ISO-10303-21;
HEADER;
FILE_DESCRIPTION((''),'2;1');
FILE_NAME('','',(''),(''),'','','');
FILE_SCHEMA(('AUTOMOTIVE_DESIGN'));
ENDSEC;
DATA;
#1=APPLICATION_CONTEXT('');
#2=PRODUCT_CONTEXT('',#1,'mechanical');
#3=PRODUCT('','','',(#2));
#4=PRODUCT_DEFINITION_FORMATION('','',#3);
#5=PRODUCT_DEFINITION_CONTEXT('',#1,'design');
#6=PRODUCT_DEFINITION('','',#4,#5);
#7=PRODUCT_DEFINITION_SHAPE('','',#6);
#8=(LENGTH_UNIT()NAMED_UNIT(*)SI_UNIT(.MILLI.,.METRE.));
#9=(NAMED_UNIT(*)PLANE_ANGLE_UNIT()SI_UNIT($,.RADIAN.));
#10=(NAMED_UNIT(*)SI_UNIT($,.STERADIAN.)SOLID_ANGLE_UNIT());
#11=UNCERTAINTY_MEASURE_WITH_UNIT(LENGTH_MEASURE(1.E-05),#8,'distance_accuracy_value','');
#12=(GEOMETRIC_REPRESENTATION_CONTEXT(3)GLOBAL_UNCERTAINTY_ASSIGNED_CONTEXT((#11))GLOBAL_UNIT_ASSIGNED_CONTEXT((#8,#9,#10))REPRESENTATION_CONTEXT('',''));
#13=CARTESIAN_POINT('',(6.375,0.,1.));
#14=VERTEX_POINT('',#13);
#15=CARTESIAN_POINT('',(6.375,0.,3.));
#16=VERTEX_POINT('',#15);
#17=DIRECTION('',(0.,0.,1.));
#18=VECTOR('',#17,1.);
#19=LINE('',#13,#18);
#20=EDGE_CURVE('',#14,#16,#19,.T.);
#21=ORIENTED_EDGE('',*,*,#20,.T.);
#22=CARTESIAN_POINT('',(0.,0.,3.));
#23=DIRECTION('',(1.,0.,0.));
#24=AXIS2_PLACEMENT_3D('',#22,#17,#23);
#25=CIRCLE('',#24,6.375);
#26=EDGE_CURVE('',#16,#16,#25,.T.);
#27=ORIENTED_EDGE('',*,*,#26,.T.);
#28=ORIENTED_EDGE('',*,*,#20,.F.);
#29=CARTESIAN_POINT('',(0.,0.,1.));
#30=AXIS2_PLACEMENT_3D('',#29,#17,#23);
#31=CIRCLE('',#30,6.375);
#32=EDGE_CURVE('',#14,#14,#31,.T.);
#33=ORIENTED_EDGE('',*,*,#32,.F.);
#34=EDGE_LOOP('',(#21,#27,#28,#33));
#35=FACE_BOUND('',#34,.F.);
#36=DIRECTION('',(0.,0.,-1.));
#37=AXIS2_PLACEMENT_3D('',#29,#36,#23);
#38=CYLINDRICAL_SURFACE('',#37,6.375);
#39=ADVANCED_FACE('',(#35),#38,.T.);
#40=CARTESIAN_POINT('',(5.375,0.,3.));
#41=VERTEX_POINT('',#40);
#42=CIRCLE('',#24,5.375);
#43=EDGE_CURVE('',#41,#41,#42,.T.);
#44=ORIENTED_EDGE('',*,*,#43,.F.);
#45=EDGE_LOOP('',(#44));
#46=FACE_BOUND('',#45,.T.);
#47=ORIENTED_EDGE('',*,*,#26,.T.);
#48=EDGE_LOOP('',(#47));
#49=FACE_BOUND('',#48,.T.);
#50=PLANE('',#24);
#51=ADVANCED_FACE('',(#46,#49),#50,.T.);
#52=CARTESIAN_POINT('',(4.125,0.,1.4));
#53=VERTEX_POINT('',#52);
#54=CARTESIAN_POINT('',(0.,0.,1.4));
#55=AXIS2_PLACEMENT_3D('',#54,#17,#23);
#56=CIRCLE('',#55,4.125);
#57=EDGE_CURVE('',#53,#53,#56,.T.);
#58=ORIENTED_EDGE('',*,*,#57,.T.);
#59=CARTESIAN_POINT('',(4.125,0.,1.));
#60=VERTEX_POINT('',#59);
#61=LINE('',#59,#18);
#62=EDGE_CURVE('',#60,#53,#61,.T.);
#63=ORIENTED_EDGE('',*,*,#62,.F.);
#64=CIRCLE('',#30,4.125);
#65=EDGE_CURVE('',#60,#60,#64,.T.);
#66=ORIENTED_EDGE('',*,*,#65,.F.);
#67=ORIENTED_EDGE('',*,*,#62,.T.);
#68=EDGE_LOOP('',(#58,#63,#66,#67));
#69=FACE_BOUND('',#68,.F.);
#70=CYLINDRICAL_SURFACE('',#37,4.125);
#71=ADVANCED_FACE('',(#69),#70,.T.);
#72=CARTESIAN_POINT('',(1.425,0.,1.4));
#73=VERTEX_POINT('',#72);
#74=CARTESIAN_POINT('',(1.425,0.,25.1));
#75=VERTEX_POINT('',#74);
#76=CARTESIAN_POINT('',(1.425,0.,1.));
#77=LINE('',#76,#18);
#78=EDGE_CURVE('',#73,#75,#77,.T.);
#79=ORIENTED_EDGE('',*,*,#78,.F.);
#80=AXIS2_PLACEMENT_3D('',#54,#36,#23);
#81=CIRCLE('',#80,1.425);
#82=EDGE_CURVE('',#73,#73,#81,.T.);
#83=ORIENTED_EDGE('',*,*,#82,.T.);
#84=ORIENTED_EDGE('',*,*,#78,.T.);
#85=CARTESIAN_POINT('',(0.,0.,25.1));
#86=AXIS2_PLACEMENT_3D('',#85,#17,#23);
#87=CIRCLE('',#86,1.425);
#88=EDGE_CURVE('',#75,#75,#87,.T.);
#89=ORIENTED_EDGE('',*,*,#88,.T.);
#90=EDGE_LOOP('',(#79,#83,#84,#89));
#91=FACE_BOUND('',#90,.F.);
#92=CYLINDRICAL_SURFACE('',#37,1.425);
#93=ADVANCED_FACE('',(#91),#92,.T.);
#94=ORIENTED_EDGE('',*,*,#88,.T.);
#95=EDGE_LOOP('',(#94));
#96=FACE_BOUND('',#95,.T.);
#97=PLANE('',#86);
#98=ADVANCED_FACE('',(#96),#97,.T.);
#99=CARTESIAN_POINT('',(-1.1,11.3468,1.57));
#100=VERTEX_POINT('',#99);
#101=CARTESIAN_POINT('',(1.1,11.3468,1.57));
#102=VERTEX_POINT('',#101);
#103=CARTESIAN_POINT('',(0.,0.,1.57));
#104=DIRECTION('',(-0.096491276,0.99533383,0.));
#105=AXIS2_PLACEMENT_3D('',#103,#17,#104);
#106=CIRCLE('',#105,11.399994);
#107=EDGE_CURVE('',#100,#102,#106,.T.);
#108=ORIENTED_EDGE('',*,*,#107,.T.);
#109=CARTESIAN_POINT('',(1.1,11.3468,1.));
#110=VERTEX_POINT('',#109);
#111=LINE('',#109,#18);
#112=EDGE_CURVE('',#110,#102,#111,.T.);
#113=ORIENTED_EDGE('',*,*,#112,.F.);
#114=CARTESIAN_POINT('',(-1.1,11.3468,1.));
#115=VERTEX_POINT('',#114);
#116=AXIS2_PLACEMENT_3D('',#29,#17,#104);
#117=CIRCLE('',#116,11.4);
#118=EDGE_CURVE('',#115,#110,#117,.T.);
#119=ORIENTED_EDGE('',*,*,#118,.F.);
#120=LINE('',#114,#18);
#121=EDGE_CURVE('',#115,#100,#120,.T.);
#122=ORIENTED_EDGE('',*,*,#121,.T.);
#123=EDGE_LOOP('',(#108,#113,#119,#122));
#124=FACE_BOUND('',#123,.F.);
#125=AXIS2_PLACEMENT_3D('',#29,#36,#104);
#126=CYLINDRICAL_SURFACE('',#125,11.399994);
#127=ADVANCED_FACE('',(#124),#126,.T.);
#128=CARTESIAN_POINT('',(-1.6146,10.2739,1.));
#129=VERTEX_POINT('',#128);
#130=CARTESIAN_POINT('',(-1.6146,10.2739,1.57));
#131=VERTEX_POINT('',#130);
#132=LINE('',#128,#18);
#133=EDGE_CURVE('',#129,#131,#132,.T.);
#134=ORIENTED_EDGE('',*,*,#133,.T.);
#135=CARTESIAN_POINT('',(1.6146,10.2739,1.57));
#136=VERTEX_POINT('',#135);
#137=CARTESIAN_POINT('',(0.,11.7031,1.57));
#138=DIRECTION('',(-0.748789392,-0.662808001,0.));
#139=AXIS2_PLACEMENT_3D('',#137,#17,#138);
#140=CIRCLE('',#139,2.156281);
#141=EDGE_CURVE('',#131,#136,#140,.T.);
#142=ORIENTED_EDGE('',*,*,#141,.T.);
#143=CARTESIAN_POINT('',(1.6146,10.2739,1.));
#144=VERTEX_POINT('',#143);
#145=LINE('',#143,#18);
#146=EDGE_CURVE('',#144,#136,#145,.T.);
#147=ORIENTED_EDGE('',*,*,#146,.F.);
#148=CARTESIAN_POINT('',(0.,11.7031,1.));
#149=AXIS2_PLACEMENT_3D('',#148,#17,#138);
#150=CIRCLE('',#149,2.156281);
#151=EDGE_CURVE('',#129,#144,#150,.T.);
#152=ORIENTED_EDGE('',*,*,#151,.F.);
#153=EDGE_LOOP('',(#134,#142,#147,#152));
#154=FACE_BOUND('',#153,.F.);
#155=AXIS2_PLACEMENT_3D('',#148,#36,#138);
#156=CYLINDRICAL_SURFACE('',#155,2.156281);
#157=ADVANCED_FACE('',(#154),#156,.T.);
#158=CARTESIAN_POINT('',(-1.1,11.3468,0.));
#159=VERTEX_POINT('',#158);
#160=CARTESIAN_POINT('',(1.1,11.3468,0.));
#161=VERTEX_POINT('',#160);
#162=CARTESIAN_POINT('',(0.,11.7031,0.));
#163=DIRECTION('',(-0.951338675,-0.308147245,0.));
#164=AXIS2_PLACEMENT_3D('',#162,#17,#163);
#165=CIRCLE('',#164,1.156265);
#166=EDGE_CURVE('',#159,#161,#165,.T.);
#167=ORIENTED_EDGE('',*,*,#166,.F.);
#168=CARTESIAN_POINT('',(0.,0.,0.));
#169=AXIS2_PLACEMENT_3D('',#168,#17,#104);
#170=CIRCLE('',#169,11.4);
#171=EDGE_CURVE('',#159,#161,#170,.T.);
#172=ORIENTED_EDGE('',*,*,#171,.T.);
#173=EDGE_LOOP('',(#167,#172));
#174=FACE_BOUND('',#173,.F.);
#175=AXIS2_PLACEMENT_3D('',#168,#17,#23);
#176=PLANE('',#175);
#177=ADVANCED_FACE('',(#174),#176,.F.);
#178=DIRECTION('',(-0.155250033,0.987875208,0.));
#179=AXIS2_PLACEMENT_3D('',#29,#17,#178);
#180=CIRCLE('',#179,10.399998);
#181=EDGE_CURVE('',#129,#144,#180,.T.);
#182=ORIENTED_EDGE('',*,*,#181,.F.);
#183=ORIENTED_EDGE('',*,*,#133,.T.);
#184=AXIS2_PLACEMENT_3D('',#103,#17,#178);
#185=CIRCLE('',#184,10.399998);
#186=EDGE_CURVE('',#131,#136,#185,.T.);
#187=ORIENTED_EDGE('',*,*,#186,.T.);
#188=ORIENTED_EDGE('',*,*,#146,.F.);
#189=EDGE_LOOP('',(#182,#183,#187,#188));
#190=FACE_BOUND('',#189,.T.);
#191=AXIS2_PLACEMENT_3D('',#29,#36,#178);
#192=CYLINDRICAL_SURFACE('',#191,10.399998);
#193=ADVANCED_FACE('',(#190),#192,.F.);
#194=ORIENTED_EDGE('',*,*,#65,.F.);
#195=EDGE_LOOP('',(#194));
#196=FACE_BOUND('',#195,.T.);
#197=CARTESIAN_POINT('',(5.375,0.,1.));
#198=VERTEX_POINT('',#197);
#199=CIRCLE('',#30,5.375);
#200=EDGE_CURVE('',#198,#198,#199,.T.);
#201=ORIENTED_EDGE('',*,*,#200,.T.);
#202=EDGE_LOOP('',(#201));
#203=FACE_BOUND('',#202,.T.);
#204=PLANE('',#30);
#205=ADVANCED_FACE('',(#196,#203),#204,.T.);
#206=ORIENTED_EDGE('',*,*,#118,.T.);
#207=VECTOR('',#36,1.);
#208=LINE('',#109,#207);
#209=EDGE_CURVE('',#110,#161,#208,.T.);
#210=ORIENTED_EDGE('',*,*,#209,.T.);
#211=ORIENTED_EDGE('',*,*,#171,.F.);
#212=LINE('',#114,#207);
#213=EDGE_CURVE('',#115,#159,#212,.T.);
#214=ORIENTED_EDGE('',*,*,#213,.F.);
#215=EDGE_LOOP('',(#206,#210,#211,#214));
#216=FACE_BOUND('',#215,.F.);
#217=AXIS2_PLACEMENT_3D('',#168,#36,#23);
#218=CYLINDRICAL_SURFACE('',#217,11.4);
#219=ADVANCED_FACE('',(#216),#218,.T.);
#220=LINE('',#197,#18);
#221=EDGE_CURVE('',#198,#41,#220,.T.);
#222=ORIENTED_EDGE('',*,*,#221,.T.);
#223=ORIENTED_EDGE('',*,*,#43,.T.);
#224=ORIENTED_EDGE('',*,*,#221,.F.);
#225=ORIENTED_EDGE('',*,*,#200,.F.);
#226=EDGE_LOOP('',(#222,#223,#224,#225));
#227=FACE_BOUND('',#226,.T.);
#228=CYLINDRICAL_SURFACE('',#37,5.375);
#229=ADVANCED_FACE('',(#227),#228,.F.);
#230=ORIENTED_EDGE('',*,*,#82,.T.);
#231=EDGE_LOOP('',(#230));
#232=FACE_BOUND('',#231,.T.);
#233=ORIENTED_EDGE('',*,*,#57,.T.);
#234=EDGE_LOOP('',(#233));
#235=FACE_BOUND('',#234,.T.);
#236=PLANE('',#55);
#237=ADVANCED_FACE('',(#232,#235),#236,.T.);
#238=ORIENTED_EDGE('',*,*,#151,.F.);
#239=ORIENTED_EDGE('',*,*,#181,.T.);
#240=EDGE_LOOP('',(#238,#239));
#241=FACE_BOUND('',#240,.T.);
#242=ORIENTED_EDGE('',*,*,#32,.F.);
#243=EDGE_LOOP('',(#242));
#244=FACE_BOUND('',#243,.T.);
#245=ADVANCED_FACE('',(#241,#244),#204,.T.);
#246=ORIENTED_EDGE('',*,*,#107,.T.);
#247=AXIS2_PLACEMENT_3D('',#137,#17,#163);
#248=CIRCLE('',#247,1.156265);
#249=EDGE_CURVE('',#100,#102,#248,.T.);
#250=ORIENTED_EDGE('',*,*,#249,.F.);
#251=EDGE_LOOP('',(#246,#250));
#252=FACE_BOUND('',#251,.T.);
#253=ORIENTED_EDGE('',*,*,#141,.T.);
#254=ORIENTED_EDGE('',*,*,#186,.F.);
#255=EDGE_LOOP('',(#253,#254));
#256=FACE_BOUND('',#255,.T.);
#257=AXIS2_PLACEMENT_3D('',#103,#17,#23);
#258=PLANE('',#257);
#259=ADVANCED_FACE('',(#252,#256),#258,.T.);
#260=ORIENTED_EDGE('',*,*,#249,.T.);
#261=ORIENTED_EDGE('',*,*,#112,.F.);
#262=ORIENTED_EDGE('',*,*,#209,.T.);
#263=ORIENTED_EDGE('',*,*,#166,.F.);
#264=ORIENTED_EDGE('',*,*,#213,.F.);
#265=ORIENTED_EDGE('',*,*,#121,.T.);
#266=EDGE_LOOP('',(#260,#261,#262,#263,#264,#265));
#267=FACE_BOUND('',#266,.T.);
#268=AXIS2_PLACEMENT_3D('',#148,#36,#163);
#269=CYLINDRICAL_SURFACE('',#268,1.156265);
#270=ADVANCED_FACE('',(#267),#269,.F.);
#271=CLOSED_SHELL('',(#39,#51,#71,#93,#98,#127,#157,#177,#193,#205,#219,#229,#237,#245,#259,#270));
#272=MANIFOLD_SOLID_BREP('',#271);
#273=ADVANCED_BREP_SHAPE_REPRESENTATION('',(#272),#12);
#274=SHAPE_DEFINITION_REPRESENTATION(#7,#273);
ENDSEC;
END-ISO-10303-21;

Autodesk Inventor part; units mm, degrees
sketch "Sketch1" plane through (0, 0, 0) normal (0, 0, 1) x (1, 0, 0)
  circle A0 centre (0, 0) radius 11.4
  dimension "d0" = 22.8
extrude "Extrusion1" add sketch "Sketch1" along normal blind 1
ref_plane "Work Plane1" through (0, 0, 1) normal (0, 0, 1) x (1, 0, 0)
sketch "Sketch3" plane through (0, 0, 1) normal (0, 0, 1) x (1, 0, 0)
  circle A0 centre (0, 0) radius 6.375
  circle A1 centre (0, 0) radius 5.375
  dimension "d6" = 12.75
  dimension "d7" = 10.75
extrude "Extrusion3" add sketch "Sketch3" along normal blind 2
ref_plane "Work Plane3" through (0, 0, 1) normal (0, 0, 1) x (1, 0, 0)
sketch "Sketch4" plane through (0, 0, 1) normal (0, 0, 1) x (1, 0, 0)
  circle A0 centre (0, 0) radius 1.425
  dimension "d10" = 2.85
extrude "Extrusion4" add sketch "Sketch4" along normal blind 24.1
ref_plane "Work Plane2" through (0, 0, 1) normal (0, 0, 1) x (1, 0, 0)
sketch "Sketch5" plane through (0, 0, 1) normal (0, 0, 1) x (1, 0, 0)
  circle A0 centre (0, 0) radius 4.125
  dimension "d14" = 8.25
extrude "Extrusion5" add sketch "Sketch5" along normal blind 0.4
sketch "Sketch7" plane through (0, 0, 1) normal (0, 0, 1) x (1, 0, 0)
  circle A0 centre (0, 0) radius 11.4
  line L0 (-1.1, 11.3468) -> (1.1, 11.3468) construction
  line L1 (0, 11.3468) -> (0, 10.5468) construction
  arc A1 (-1.1, 11.3468) -> (1.1, 11.3468) centre (0, 11.7031) ccw
  dimension "d17" = 2.2
  dimension "d18" = 0.8
extrude "Extrusion6" cut sketch "Sketch7" against normal up to surface (1 mm away) contours A1 A0 picked at (-0.044, 11.1142)
sketch "Sketch8" plane through (0, 0, 1) normal (0, 0, 1) x (1, 0, 0)
  arc A0 (-1.1, 11.3468) -> (1.1, 11.3468) centre (0, 11.7031) ccw projected
  arc A1 (-1.1, 11.3468) -> (1.1, 11.3468) centre (0, 0) ccw projected
  circle A2 centre (0, 0) radius 6.375 projected
  arc A3 (-1.6146, 10.2739) -> (1.6146, 10.2739) centre (0, 11.7031) ccw
  arc A4 (-1.6146, 10.2739) -> (1.6146, 10.2739) centre (0, 0) ccw
  dimension "d21" = 1
extrude "Extrusion7" add sketch "Sketch8" along normal blind 0.57 contours A0 A1
properties part number "PMSeal"
